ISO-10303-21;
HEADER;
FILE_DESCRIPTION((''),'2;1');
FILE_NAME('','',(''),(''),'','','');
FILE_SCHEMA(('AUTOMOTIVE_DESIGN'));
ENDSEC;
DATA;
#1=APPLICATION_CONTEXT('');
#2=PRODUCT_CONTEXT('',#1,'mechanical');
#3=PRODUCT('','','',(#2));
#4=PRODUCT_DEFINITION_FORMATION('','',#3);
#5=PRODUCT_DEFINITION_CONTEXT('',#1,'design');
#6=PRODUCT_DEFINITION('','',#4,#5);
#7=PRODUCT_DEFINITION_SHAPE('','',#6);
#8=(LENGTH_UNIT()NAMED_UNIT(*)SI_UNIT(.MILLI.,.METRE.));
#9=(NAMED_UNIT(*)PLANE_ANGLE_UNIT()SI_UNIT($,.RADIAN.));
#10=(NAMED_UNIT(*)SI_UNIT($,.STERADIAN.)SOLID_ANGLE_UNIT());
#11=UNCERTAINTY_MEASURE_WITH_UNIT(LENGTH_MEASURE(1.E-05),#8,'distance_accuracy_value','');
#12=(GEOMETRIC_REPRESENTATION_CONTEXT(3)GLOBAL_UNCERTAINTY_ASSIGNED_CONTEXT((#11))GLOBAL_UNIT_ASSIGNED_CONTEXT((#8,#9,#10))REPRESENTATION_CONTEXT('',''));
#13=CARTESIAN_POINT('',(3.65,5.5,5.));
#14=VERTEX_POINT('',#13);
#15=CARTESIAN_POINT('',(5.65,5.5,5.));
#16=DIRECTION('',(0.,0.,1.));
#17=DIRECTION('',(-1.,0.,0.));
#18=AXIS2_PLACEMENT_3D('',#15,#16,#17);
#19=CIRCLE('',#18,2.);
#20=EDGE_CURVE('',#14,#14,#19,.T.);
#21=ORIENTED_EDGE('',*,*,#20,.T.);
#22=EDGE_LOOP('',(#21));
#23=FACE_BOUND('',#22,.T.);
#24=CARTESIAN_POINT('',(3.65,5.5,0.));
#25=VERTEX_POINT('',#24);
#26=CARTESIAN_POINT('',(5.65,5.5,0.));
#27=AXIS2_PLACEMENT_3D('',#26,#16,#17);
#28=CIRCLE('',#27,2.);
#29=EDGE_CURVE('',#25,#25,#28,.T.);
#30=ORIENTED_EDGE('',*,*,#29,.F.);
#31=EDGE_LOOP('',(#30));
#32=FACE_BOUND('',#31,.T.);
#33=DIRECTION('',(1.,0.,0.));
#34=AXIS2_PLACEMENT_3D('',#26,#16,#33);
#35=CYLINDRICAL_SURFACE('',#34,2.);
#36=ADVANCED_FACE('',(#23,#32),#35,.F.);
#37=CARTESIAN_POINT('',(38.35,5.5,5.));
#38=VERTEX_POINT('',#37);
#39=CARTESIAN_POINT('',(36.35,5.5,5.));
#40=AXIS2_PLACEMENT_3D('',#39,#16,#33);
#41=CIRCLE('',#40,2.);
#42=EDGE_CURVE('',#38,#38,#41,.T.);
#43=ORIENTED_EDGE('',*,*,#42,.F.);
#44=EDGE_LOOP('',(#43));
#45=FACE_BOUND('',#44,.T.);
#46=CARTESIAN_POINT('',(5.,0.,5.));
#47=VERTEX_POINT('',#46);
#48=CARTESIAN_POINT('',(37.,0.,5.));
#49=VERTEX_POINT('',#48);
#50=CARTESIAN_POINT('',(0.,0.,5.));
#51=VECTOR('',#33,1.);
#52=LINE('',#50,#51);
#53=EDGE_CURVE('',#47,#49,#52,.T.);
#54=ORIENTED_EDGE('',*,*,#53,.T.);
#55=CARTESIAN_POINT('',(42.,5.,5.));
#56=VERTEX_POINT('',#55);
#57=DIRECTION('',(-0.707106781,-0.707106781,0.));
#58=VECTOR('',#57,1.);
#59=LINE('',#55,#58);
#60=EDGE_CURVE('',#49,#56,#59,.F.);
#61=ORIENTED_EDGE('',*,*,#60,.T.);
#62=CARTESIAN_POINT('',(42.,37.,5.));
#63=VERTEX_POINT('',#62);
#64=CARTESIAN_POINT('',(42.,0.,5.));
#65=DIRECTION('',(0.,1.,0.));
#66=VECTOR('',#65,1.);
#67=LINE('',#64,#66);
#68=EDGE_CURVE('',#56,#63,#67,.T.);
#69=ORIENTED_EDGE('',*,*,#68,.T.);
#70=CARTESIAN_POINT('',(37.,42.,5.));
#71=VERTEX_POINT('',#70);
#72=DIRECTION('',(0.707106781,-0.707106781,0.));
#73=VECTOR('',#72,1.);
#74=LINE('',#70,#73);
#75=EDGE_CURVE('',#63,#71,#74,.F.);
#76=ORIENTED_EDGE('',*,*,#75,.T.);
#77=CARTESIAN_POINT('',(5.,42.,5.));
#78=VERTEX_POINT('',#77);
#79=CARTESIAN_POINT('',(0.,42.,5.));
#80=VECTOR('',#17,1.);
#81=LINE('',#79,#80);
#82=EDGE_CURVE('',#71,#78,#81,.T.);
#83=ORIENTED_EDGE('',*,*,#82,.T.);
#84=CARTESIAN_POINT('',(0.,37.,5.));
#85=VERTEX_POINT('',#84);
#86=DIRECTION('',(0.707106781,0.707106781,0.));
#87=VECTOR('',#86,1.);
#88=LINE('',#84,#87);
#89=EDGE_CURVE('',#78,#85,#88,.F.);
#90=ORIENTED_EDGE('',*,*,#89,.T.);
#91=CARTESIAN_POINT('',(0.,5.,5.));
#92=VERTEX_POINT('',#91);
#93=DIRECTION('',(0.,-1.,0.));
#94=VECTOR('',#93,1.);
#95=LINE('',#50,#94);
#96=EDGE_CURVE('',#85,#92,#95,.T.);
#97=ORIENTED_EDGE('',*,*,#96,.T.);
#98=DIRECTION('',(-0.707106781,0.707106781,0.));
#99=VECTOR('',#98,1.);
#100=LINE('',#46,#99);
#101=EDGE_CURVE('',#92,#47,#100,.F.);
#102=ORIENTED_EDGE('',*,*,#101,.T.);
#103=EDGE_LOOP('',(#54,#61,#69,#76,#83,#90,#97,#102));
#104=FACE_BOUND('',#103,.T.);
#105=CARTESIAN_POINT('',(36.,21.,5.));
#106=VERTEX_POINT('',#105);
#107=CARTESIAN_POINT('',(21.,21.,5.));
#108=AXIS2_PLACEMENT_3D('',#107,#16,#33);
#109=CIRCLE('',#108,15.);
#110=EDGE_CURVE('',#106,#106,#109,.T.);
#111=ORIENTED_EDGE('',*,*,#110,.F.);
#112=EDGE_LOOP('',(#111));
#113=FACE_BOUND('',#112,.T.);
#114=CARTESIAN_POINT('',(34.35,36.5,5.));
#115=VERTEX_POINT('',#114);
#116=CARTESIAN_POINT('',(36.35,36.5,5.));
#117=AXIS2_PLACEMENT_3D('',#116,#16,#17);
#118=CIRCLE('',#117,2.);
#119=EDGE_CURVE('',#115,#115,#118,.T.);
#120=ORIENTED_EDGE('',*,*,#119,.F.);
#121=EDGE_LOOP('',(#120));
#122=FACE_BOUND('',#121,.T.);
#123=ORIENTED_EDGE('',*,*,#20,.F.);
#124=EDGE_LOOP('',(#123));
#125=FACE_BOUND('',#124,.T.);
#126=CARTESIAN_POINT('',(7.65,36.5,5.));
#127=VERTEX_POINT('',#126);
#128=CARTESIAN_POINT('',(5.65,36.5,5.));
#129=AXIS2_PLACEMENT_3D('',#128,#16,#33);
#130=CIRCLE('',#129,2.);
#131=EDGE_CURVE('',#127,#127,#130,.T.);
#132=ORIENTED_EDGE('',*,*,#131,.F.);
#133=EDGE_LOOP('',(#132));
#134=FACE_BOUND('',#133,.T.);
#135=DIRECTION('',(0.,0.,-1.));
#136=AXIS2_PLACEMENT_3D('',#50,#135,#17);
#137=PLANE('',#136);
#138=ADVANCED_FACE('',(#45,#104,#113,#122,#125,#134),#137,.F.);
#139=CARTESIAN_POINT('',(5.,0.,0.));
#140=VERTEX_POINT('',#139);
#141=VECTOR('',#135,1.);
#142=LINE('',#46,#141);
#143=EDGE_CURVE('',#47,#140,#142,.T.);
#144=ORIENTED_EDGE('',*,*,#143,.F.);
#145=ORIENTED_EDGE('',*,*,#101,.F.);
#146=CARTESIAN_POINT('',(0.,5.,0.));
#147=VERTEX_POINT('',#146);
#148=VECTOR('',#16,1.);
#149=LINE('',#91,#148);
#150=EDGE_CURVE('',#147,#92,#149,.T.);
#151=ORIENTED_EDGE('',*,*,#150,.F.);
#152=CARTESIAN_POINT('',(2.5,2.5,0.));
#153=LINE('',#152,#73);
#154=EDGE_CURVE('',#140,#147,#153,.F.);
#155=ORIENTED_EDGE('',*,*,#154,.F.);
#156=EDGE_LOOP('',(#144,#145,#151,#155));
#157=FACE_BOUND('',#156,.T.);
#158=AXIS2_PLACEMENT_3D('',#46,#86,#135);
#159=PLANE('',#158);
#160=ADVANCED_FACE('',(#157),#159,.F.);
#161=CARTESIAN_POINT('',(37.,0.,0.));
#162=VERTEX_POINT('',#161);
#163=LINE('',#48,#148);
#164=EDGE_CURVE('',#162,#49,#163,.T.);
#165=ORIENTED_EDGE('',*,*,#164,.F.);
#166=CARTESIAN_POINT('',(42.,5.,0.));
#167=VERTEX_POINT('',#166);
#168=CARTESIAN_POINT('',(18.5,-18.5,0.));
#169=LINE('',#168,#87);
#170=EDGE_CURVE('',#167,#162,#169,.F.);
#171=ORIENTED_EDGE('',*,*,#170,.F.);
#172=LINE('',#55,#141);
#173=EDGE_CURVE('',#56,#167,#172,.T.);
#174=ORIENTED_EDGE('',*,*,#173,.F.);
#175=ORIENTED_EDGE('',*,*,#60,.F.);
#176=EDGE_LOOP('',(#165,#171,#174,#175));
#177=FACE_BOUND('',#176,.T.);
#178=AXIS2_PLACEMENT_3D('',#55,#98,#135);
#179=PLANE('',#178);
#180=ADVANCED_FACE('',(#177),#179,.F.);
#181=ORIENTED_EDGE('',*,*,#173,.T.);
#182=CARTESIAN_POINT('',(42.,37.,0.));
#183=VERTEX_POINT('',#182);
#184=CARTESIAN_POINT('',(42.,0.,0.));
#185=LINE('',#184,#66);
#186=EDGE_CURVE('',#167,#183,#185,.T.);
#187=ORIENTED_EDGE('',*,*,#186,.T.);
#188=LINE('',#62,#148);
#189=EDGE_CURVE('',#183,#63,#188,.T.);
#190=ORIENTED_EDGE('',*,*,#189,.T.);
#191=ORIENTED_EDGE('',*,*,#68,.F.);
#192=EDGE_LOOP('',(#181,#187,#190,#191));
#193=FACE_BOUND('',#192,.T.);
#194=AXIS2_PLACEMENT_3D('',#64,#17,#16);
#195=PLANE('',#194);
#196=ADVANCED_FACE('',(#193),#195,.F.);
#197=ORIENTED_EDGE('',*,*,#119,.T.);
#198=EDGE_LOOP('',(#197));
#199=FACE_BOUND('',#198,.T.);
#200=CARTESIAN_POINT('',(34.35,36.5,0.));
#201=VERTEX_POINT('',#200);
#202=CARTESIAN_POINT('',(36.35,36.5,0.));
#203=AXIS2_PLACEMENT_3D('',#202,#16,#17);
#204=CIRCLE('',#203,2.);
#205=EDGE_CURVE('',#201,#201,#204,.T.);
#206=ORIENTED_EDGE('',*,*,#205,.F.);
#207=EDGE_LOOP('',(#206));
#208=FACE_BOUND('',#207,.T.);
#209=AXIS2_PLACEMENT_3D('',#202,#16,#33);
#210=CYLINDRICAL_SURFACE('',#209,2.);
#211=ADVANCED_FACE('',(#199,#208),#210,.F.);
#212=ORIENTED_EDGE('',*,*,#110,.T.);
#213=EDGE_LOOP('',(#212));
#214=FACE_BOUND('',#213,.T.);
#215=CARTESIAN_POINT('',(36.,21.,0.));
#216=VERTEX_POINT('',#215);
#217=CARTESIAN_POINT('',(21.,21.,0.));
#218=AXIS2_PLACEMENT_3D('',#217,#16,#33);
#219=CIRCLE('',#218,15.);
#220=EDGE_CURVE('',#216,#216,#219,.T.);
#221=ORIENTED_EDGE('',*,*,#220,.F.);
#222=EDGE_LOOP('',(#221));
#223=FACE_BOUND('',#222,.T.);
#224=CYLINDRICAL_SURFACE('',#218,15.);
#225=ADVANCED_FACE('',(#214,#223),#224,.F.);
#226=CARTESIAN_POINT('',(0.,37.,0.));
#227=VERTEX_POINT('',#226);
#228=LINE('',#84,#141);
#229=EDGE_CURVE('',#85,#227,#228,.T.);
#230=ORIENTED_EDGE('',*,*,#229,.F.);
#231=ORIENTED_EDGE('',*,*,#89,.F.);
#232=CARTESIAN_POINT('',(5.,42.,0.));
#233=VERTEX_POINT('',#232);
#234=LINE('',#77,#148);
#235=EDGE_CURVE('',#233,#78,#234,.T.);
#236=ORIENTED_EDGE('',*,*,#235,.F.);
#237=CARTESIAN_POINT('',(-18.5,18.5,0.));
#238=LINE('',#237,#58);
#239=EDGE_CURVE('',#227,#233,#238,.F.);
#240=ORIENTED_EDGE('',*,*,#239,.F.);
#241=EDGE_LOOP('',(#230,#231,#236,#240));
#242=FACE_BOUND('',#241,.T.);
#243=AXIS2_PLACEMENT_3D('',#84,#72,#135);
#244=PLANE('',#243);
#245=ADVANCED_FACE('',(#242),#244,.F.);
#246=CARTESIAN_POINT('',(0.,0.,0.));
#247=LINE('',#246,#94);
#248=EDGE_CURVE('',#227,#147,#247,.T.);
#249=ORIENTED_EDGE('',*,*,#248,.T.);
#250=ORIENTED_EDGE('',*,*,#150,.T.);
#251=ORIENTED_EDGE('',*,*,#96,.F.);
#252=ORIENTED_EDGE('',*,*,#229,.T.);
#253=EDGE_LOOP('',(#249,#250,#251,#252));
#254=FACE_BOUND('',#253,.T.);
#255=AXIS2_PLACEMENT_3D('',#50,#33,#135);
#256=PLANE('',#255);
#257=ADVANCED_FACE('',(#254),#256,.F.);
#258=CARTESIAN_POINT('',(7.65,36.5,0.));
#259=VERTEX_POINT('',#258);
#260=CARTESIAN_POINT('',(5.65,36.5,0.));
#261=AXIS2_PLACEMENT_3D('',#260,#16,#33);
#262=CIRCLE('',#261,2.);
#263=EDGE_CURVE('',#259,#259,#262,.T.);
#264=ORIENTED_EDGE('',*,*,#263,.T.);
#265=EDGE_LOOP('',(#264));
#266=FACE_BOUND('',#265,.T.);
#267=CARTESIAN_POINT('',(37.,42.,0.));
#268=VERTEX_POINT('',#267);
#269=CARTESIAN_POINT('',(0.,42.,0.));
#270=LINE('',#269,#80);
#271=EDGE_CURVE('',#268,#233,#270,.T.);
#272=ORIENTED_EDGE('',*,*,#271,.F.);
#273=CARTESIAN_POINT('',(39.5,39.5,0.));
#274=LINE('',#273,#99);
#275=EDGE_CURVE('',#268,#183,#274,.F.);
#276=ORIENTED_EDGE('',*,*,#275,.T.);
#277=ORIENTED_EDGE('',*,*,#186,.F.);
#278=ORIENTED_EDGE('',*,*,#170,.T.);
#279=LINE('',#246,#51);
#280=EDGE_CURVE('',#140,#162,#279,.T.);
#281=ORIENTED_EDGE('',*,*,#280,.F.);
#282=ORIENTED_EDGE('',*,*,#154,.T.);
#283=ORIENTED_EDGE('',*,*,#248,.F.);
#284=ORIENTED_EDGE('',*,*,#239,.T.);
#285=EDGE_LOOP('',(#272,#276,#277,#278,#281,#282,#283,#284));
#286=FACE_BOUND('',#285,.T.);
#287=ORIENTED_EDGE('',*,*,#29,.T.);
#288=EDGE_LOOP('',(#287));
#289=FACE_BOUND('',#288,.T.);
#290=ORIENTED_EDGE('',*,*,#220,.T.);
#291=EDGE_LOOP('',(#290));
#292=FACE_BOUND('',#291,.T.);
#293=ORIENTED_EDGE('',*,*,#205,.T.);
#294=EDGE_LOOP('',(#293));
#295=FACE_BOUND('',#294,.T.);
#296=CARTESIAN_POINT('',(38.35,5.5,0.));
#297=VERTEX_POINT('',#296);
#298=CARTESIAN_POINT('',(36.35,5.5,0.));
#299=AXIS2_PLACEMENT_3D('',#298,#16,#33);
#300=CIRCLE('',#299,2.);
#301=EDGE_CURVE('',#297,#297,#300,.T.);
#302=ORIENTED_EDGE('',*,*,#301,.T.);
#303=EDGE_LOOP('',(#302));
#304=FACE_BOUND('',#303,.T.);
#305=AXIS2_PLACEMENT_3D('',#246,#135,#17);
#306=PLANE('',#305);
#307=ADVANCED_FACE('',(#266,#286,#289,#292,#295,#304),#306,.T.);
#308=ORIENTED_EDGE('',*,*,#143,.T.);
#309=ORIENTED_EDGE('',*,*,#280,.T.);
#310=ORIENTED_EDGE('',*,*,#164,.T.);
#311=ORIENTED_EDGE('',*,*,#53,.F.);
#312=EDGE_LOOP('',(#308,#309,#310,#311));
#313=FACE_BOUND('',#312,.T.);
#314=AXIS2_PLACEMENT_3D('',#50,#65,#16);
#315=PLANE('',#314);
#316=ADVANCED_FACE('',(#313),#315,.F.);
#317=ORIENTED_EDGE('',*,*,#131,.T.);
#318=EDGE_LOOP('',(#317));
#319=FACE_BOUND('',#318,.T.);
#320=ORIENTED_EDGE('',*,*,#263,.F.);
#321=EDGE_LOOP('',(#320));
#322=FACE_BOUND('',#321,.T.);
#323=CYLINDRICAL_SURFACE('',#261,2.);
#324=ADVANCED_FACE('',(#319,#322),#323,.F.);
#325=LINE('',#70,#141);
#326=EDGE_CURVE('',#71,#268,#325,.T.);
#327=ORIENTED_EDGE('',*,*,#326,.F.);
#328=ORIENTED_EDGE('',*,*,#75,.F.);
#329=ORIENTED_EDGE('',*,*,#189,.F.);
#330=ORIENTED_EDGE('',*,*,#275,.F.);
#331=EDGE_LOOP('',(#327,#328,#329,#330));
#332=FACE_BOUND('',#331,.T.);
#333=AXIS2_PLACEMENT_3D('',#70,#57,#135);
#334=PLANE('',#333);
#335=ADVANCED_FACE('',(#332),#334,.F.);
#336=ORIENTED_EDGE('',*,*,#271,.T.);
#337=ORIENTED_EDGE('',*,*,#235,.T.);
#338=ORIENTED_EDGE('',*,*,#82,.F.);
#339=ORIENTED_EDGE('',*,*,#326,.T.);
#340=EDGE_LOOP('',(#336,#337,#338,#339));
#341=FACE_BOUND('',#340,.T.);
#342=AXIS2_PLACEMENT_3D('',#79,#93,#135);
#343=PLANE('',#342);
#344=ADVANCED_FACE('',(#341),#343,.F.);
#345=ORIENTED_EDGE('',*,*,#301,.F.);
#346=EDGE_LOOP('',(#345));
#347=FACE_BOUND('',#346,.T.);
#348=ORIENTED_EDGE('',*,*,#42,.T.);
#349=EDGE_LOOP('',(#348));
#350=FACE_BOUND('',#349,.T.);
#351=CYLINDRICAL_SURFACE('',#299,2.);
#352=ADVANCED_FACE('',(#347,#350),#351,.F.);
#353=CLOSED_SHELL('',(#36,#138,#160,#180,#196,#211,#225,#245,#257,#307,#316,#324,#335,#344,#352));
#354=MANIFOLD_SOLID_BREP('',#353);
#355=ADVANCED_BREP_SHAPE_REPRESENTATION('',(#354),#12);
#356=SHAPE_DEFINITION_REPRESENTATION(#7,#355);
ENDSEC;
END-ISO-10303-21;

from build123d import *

# Parameters (mm, degrees)
SKETCH1_W           = 42
SKETCH1_H           = 42
BOSS_EXTRUDE1_DEPTH = 5
SKETCH2_R           = 15
CUT_EXTRUDE1_DEPTH  = 6
SKETCH4_R           = 2
CUT_EXTRUDE3_DEPTH  = 5
CHAMFER1_SIZE       = 5


with BuildPart() as part:
    # Sketch1 → Boss-Extrude1 (new body)
    with BuildSketch(Plane.XY):
        with Locations((21, 21)):
            Rectangle(SKETCH1_W, SKETCH1_H)
    extrude(amount=BOSS_EXTRUDE1_DEPTH)

    # Sketch2 → Cut-Extrude1 (cut, through all)
    with BuildSketch(Plane.XY.offset(5)):
        with Locations((21, 21)):
            Circle(SKETCH2_R)
    extrude(amount=-CUT_EXTRUDE1_DEPTH, mode=Mode.SUBTRACT)

    # Sketch4 → Cut-Extrude3 (cut)
    with BuildSketch(Plane.XY.offset(5)):
        with Locations((5.65, 36.5)):
            Circle(SKETCH4_R)
        with Locations((5.65, 5.5)):
            Circle(SKETCH4_R)
        with Locations((36.35, 5.5)):
            Circle(SKETCH4_R)
        with Locations((36.35, 36.5)):
            Circle(SKETCH4_R)
    extrude(amount=-CUT_EXTRUDE3_DEPTH, mode=Mode.SUBTRACT)

    # Chamfer1
    chamfer1_edges = [part.edges().sort_by_distance(p)[0] for p in [
        (0, 42, 2.5),
        (42, 42, 2.5),
        (42, 0, 2.5),
        (0, 0, 2.5),
    ]]
    chamfer(chamfer1_edges, length=CHAMFER1_SIZE)


solid = part.part
